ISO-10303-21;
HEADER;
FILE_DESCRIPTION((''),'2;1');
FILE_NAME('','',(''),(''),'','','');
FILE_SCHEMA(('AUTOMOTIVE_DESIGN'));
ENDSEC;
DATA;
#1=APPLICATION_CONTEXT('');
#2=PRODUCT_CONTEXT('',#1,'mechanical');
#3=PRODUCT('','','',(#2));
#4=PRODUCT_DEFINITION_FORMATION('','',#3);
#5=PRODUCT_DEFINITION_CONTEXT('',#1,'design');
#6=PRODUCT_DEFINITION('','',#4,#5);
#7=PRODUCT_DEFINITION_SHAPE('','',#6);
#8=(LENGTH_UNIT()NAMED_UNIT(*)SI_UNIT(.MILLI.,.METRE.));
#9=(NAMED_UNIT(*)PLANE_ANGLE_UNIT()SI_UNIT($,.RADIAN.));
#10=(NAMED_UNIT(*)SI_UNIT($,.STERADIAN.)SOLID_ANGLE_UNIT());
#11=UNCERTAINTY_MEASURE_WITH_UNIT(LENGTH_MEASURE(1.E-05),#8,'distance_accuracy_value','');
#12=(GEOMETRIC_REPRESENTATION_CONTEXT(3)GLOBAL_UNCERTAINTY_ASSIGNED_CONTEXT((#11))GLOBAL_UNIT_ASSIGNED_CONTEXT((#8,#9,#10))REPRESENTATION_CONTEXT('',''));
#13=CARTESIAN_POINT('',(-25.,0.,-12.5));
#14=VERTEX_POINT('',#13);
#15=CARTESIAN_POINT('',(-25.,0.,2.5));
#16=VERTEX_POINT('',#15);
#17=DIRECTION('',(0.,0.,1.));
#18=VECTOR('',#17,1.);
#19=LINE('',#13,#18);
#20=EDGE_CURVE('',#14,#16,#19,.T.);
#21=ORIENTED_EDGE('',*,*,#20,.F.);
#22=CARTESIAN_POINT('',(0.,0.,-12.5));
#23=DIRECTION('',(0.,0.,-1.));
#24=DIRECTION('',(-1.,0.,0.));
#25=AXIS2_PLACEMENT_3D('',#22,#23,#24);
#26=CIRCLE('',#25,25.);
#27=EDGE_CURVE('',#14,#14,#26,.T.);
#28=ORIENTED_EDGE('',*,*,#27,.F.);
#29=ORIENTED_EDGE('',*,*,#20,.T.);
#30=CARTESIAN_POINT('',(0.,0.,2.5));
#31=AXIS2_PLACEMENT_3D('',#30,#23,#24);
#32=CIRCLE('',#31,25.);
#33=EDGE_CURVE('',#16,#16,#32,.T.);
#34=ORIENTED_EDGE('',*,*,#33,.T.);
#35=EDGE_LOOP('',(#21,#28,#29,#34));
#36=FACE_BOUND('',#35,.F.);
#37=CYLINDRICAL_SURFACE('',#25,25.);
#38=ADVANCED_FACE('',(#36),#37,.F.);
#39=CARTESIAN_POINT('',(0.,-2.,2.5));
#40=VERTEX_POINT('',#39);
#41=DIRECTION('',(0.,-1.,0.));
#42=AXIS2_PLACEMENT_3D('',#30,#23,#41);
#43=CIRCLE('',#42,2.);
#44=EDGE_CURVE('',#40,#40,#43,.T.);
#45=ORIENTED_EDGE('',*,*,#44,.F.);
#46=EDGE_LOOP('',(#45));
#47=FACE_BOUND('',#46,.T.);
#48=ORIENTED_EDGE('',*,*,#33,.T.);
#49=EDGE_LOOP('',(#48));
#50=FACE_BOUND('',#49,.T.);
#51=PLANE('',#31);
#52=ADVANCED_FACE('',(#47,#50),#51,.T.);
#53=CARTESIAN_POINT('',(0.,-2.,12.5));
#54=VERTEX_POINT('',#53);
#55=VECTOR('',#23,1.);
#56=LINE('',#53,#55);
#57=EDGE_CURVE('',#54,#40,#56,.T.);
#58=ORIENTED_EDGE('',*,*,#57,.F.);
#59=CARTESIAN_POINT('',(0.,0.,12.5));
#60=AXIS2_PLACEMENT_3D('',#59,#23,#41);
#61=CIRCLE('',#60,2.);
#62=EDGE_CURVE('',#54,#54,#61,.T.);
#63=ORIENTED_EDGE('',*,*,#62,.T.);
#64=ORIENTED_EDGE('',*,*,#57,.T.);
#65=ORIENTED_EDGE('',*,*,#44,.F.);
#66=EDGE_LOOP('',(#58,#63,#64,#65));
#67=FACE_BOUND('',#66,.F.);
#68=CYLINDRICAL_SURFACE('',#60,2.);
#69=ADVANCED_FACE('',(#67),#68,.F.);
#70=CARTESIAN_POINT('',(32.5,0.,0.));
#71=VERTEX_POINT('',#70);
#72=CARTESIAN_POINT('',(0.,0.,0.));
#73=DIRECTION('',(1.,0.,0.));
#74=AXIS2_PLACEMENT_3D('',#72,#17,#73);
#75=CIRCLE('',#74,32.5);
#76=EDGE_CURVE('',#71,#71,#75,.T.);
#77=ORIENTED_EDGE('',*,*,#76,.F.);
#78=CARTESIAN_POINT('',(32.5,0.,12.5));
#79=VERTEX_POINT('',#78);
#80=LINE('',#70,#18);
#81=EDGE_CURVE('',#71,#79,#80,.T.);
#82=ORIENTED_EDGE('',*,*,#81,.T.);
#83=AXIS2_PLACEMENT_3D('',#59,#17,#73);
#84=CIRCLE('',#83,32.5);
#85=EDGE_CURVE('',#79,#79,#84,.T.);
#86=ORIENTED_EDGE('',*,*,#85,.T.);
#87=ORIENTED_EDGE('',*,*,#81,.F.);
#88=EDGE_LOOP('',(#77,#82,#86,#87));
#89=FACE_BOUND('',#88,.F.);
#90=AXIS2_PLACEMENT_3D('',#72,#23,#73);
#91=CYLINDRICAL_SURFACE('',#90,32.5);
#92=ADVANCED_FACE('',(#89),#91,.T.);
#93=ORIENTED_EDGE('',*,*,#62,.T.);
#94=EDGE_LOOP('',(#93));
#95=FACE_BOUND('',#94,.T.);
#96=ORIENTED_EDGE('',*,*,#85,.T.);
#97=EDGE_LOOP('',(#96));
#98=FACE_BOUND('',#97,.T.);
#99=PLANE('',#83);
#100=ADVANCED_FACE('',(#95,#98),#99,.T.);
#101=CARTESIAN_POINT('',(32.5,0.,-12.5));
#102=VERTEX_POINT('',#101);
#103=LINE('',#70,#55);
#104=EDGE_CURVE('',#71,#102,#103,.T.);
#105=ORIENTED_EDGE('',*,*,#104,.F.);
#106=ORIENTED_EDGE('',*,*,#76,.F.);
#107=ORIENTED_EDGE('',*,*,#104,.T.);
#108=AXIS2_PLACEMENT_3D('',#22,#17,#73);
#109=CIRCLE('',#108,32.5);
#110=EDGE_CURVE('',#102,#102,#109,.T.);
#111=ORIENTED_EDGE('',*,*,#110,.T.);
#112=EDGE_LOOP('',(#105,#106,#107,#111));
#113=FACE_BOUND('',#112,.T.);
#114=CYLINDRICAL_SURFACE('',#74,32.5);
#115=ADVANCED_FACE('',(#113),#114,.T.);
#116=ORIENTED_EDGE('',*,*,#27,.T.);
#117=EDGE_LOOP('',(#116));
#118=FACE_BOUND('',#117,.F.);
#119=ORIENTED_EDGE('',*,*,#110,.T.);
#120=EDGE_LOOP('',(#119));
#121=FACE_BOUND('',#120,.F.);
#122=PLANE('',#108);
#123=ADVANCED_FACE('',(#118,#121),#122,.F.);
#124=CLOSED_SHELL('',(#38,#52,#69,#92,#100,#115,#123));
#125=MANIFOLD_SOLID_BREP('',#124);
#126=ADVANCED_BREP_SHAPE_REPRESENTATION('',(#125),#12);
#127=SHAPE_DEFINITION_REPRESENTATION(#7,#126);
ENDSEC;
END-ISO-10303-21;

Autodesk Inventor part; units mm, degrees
ref_plane "YZ Plane" through (0, 0, 0) normal (1, 0, 0) x (0, 1, 0)
ref_plane "XZ Plane" through (0, 0, 0) normal (0, 1, 0) x (-1, 0, 0)
ref_plane "XY Plane" through (0, 0, 0) normal (0, 0, 1) x (1, 0, 0)
sketch "Skizze1" plane through (0, 0, 0) normal (0, 0, 1) x (1, 0, 0)
  circle A0 centre (0, 0) radius 32.5
  dimension "d0" = 65
extrude "Extrusion1" add sketch "Skizze1" along normal mid plane 25
sketch "Skizze2" plane through (0, 0, -12.5) normal (0, 0, -1) x (-1, 0, 0)
  circle A0 centre (0, 0) radius 25
  dimension "d3" = 50
extrude "Extrusion2" cut sketch "Skizze2" against normal blind 15
sketch "Skizze3" plane through (0, 0, 12.5) normal (0, 0, 1) x (1, 0, 0)
  point P0 (0, 0)
  point P1 (0, 0)
hole "Bohrung1" at (0, 0, 12.5) direction (0, 0, -1) diameter 4 end through all
properties part number "reifen"
